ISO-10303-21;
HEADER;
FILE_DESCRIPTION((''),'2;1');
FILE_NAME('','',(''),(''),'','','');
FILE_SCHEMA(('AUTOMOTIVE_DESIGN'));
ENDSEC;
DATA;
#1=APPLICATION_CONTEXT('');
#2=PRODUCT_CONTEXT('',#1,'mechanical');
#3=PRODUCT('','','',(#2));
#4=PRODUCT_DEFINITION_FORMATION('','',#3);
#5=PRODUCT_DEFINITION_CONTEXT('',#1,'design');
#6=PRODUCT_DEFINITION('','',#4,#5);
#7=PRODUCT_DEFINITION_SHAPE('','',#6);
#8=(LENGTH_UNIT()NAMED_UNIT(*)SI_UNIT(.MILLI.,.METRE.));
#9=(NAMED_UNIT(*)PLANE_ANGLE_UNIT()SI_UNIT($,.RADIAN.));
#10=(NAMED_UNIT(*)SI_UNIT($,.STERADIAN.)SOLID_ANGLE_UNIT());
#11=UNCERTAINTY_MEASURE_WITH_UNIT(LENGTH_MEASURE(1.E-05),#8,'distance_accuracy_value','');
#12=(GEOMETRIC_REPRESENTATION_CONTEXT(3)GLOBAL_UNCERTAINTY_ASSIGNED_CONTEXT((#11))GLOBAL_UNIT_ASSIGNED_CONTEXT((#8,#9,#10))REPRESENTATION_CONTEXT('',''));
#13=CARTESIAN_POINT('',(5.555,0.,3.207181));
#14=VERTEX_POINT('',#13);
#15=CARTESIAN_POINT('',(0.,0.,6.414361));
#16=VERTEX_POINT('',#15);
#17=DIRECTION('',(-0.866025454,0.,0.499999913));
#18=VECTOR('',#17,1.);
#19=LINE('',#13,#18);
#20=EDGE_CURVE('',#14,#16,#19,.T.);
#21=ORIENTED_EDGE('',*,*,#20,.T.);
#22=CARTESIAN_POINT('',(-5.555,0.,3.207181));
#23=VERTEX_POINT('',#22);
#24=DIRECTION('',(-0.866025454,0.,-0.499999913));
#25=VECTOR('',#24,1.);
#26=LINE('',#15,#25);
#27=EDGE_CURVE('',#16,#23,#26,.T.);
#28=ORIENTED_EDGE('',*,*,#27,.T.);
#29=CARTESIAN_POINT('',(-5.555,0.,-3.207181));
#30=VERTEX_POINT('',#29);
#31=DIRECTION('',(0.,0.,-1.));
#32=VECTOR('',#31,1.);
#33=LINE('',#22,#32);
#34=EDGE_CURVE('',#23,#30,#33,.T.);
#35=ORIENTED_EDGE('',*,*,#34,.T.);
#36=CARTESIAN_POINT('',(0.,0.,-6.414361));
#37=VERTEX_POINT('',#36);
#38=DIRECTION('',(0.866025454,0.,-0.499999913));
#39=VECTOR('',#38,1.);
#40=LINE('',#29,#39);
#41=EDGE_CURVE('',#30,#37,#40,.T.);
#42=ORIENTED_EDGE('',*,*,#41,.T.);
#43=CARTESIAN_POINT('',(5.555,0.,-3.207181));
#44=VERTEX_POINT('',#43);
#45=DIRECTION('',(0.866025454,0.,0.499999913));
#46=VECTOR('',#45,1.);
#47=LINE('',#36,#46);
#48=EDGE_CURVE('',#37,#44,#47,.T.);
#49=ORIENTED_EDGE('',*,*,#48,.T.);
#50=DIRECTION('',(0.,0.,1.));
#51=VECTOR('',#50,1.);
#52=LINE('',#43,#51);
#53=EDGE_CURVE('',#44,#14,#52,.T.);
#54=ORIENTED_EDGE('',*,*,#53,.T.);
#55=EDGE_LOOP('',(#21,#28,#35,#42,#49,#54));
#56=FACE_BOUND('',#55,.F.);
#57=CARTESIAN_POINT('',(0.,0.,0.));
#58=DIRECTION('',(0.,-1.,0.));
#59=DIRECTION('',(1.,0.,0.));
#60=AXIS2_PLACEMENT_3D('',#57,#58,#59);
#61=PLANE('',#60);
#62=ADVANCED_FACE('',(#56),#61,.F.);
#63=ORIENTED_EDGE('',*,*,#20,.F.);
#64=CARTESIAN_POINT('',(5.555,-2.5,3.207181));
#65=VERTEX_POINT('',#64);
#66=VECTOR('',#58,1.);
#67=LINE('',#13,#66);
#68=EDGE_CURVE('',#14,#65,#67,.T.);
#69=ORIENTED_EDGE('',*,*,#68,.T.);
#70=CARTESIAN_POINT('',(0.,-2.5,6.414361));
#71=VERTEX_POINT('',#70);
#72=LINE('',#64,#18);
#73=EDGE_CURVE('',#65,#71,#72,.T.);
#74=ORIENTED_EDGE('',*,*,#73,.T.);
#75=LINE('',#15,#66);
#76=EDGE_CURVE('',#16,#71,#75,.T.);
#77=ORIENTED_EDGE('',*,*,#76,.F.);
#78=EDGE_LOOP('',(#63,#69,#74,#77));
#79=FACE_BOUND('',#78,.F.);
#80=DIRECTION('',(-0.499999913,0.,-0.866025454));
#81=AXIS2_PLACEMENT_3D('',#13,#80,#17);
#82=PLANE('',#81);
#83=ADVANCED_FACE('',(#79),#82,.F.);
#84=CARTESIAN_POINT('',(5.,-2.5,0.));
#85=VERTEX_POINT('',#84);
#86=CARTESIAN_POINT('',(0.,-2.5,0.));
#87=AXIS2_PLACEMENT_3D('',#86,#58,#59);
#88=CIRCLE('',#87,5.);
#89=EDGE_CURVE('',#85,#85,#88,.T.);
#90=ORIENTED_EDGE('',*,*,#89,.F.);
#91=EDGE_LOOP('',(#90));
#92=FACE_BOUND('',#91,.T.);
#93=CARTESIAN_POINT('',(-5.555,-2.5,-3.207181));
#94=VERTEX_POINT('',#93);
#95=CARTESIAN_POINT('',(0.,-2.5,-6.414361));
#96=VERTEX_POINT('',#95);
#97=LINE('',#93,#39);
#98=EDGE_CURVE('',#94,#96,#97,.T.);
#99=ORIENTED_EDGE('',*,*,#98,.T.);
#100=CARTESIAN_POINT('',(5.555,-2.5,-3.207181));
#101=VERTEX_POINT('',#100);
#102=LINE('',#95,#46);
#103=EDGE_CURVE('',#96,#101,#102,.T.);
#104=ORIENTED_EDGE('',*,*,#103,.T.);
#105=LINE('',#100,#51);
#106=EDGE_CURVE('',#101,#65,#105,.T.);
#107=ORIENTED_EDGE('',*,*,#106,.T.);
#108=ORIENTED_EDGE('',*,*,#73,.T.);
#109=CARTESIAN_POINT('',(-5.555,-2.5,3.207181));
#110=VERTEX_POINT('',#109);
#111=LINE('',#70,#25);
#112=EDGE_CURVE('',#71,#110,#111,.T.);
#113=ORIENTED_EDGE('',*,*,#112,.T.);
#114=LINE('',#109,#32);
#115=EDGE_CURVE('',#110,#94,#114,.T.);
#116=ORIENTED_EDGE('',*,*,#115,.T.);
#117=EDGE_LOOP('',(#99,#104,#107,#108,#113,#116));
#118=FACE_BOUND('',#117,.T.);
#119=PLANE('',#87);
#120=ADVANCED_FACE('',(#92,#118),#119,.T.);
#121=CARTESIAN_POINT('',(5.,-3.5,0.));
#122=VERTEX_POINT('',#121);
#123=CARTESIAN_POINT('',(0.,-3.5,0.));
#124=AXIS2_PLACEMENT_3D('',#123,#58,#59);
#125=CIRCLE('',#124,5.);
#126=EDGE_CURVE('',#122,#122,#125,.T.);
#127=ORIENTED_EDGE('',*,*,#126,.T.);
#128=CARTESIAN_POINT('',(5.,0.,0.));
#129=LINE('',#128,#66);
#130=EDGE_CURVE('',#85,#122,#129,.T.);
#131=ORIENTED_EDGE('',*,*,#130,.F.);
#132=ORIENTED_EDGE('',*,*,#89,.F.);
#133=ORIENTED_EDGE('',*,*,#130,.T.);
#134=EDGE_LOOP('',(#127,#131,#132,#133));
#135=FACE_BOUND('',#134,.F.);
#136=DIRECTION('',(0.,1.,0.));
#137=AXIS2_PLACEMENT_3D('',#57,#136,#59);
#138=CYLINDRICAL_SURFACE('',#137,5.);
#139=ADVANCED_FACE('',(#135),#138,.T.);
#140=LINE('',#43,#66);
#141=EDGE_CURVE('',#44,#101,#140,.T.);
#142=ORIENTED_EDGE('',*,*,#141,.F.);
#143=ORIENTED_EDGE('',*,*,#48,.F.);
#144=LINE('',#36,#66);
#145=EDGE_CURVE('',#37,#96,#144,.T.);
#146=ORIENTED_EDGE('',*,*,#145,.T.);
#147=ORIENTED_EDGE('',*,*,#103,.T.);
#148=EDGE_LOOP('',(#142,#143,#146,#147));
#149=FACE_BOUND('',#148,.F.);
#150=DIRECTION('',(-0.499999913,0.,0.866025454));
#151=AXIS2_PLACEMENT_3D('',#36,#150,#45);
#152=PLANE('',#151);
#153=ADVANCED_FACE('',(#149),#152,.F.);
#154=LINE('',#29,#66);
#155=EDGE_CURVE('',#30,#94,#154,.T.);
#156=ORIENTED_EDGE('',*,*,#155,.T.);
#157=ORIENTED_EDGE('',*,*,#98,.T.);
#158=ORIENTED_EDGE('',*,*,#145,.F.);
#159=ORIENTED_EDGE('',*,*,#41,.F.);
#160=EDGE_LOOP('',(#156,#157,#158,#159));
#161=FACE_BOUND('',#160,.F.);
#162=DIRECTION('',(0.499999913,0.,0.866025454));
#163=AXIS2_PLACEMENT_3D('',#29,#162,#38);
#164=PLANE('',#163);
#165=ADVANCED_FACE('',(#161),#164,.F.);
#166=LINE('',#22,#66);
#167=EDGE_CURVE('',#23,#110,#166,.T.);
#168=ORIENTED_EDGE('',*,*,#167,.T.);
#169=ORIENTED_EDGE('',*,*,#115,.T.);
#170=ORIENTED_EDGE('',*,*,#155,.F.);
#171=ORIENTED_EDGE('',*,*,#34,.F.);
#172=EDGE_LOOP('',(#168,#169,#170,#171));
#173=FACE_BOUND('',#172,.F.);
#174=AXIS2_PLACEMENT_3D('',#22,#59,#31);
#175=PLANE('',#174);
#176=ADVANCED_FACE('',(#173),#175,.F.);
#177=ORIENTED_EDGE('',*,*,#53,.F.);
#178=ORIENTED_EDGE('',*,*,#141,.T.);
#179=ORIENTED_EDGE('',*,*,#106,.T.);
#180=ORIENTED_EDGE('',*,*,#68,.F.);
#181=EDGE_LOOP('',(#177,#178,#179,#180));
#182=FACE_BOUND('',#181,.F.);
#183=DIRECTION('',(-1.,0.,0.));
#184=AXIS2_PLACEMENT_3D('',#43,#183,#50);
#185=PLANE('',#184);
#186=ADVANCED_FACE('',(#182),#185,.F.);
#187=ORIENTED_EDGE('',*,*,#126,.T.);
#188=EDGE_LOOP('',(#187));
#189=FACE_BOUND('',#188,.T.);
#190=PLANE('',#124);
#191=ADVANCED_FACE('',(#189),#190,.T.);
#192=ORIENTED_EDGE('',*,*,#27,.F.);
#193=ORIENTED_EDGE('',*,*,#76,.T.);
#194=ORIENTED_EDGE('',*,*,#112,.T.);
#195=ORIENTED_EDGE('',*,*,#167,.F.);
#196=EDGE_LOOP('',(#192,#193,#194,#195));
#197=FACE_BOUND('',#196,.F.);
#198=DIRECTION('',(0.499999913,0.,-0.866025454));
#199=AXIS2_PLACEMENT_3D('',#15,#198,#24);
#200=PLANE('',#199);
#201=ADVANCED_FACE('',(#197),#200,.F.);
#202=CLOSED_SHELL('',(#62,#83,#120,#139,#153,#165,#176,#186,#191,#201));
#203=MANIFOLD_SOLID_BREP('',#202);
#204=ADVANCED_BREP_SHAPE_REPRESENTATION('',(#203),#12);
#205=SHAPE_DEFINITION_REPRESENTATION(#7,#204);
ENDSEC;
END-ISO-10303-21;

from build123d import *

# Parameters (mm, degrees)
F0_R     = 5
F1_DEPTH = 2.5
F2_DEPTH = 3.5


with BuildPart() as f1:
    # F0 (on Front) → F1 (new body)
    with BuildSketch(Plane.XZ):
        Circle(F0_R)
        Polygon((5.555, -3.207181), (5.555, 3.207181), (0, 6.414361), (-5.555, 3.207181), (-5.555, -3.207181), (0, -6.414361), align=None)
        Circle(F0_R, mode=Mode.SUBTRACT)
    extrude(amount=F1_DEPTH)

    # F0 (on Front) → F2 (join)
    with BuildSketch(Plane.XZ):
        Circle(F0_R)
    extrude(amount=F2_DEPTH)


solid = f1.part
